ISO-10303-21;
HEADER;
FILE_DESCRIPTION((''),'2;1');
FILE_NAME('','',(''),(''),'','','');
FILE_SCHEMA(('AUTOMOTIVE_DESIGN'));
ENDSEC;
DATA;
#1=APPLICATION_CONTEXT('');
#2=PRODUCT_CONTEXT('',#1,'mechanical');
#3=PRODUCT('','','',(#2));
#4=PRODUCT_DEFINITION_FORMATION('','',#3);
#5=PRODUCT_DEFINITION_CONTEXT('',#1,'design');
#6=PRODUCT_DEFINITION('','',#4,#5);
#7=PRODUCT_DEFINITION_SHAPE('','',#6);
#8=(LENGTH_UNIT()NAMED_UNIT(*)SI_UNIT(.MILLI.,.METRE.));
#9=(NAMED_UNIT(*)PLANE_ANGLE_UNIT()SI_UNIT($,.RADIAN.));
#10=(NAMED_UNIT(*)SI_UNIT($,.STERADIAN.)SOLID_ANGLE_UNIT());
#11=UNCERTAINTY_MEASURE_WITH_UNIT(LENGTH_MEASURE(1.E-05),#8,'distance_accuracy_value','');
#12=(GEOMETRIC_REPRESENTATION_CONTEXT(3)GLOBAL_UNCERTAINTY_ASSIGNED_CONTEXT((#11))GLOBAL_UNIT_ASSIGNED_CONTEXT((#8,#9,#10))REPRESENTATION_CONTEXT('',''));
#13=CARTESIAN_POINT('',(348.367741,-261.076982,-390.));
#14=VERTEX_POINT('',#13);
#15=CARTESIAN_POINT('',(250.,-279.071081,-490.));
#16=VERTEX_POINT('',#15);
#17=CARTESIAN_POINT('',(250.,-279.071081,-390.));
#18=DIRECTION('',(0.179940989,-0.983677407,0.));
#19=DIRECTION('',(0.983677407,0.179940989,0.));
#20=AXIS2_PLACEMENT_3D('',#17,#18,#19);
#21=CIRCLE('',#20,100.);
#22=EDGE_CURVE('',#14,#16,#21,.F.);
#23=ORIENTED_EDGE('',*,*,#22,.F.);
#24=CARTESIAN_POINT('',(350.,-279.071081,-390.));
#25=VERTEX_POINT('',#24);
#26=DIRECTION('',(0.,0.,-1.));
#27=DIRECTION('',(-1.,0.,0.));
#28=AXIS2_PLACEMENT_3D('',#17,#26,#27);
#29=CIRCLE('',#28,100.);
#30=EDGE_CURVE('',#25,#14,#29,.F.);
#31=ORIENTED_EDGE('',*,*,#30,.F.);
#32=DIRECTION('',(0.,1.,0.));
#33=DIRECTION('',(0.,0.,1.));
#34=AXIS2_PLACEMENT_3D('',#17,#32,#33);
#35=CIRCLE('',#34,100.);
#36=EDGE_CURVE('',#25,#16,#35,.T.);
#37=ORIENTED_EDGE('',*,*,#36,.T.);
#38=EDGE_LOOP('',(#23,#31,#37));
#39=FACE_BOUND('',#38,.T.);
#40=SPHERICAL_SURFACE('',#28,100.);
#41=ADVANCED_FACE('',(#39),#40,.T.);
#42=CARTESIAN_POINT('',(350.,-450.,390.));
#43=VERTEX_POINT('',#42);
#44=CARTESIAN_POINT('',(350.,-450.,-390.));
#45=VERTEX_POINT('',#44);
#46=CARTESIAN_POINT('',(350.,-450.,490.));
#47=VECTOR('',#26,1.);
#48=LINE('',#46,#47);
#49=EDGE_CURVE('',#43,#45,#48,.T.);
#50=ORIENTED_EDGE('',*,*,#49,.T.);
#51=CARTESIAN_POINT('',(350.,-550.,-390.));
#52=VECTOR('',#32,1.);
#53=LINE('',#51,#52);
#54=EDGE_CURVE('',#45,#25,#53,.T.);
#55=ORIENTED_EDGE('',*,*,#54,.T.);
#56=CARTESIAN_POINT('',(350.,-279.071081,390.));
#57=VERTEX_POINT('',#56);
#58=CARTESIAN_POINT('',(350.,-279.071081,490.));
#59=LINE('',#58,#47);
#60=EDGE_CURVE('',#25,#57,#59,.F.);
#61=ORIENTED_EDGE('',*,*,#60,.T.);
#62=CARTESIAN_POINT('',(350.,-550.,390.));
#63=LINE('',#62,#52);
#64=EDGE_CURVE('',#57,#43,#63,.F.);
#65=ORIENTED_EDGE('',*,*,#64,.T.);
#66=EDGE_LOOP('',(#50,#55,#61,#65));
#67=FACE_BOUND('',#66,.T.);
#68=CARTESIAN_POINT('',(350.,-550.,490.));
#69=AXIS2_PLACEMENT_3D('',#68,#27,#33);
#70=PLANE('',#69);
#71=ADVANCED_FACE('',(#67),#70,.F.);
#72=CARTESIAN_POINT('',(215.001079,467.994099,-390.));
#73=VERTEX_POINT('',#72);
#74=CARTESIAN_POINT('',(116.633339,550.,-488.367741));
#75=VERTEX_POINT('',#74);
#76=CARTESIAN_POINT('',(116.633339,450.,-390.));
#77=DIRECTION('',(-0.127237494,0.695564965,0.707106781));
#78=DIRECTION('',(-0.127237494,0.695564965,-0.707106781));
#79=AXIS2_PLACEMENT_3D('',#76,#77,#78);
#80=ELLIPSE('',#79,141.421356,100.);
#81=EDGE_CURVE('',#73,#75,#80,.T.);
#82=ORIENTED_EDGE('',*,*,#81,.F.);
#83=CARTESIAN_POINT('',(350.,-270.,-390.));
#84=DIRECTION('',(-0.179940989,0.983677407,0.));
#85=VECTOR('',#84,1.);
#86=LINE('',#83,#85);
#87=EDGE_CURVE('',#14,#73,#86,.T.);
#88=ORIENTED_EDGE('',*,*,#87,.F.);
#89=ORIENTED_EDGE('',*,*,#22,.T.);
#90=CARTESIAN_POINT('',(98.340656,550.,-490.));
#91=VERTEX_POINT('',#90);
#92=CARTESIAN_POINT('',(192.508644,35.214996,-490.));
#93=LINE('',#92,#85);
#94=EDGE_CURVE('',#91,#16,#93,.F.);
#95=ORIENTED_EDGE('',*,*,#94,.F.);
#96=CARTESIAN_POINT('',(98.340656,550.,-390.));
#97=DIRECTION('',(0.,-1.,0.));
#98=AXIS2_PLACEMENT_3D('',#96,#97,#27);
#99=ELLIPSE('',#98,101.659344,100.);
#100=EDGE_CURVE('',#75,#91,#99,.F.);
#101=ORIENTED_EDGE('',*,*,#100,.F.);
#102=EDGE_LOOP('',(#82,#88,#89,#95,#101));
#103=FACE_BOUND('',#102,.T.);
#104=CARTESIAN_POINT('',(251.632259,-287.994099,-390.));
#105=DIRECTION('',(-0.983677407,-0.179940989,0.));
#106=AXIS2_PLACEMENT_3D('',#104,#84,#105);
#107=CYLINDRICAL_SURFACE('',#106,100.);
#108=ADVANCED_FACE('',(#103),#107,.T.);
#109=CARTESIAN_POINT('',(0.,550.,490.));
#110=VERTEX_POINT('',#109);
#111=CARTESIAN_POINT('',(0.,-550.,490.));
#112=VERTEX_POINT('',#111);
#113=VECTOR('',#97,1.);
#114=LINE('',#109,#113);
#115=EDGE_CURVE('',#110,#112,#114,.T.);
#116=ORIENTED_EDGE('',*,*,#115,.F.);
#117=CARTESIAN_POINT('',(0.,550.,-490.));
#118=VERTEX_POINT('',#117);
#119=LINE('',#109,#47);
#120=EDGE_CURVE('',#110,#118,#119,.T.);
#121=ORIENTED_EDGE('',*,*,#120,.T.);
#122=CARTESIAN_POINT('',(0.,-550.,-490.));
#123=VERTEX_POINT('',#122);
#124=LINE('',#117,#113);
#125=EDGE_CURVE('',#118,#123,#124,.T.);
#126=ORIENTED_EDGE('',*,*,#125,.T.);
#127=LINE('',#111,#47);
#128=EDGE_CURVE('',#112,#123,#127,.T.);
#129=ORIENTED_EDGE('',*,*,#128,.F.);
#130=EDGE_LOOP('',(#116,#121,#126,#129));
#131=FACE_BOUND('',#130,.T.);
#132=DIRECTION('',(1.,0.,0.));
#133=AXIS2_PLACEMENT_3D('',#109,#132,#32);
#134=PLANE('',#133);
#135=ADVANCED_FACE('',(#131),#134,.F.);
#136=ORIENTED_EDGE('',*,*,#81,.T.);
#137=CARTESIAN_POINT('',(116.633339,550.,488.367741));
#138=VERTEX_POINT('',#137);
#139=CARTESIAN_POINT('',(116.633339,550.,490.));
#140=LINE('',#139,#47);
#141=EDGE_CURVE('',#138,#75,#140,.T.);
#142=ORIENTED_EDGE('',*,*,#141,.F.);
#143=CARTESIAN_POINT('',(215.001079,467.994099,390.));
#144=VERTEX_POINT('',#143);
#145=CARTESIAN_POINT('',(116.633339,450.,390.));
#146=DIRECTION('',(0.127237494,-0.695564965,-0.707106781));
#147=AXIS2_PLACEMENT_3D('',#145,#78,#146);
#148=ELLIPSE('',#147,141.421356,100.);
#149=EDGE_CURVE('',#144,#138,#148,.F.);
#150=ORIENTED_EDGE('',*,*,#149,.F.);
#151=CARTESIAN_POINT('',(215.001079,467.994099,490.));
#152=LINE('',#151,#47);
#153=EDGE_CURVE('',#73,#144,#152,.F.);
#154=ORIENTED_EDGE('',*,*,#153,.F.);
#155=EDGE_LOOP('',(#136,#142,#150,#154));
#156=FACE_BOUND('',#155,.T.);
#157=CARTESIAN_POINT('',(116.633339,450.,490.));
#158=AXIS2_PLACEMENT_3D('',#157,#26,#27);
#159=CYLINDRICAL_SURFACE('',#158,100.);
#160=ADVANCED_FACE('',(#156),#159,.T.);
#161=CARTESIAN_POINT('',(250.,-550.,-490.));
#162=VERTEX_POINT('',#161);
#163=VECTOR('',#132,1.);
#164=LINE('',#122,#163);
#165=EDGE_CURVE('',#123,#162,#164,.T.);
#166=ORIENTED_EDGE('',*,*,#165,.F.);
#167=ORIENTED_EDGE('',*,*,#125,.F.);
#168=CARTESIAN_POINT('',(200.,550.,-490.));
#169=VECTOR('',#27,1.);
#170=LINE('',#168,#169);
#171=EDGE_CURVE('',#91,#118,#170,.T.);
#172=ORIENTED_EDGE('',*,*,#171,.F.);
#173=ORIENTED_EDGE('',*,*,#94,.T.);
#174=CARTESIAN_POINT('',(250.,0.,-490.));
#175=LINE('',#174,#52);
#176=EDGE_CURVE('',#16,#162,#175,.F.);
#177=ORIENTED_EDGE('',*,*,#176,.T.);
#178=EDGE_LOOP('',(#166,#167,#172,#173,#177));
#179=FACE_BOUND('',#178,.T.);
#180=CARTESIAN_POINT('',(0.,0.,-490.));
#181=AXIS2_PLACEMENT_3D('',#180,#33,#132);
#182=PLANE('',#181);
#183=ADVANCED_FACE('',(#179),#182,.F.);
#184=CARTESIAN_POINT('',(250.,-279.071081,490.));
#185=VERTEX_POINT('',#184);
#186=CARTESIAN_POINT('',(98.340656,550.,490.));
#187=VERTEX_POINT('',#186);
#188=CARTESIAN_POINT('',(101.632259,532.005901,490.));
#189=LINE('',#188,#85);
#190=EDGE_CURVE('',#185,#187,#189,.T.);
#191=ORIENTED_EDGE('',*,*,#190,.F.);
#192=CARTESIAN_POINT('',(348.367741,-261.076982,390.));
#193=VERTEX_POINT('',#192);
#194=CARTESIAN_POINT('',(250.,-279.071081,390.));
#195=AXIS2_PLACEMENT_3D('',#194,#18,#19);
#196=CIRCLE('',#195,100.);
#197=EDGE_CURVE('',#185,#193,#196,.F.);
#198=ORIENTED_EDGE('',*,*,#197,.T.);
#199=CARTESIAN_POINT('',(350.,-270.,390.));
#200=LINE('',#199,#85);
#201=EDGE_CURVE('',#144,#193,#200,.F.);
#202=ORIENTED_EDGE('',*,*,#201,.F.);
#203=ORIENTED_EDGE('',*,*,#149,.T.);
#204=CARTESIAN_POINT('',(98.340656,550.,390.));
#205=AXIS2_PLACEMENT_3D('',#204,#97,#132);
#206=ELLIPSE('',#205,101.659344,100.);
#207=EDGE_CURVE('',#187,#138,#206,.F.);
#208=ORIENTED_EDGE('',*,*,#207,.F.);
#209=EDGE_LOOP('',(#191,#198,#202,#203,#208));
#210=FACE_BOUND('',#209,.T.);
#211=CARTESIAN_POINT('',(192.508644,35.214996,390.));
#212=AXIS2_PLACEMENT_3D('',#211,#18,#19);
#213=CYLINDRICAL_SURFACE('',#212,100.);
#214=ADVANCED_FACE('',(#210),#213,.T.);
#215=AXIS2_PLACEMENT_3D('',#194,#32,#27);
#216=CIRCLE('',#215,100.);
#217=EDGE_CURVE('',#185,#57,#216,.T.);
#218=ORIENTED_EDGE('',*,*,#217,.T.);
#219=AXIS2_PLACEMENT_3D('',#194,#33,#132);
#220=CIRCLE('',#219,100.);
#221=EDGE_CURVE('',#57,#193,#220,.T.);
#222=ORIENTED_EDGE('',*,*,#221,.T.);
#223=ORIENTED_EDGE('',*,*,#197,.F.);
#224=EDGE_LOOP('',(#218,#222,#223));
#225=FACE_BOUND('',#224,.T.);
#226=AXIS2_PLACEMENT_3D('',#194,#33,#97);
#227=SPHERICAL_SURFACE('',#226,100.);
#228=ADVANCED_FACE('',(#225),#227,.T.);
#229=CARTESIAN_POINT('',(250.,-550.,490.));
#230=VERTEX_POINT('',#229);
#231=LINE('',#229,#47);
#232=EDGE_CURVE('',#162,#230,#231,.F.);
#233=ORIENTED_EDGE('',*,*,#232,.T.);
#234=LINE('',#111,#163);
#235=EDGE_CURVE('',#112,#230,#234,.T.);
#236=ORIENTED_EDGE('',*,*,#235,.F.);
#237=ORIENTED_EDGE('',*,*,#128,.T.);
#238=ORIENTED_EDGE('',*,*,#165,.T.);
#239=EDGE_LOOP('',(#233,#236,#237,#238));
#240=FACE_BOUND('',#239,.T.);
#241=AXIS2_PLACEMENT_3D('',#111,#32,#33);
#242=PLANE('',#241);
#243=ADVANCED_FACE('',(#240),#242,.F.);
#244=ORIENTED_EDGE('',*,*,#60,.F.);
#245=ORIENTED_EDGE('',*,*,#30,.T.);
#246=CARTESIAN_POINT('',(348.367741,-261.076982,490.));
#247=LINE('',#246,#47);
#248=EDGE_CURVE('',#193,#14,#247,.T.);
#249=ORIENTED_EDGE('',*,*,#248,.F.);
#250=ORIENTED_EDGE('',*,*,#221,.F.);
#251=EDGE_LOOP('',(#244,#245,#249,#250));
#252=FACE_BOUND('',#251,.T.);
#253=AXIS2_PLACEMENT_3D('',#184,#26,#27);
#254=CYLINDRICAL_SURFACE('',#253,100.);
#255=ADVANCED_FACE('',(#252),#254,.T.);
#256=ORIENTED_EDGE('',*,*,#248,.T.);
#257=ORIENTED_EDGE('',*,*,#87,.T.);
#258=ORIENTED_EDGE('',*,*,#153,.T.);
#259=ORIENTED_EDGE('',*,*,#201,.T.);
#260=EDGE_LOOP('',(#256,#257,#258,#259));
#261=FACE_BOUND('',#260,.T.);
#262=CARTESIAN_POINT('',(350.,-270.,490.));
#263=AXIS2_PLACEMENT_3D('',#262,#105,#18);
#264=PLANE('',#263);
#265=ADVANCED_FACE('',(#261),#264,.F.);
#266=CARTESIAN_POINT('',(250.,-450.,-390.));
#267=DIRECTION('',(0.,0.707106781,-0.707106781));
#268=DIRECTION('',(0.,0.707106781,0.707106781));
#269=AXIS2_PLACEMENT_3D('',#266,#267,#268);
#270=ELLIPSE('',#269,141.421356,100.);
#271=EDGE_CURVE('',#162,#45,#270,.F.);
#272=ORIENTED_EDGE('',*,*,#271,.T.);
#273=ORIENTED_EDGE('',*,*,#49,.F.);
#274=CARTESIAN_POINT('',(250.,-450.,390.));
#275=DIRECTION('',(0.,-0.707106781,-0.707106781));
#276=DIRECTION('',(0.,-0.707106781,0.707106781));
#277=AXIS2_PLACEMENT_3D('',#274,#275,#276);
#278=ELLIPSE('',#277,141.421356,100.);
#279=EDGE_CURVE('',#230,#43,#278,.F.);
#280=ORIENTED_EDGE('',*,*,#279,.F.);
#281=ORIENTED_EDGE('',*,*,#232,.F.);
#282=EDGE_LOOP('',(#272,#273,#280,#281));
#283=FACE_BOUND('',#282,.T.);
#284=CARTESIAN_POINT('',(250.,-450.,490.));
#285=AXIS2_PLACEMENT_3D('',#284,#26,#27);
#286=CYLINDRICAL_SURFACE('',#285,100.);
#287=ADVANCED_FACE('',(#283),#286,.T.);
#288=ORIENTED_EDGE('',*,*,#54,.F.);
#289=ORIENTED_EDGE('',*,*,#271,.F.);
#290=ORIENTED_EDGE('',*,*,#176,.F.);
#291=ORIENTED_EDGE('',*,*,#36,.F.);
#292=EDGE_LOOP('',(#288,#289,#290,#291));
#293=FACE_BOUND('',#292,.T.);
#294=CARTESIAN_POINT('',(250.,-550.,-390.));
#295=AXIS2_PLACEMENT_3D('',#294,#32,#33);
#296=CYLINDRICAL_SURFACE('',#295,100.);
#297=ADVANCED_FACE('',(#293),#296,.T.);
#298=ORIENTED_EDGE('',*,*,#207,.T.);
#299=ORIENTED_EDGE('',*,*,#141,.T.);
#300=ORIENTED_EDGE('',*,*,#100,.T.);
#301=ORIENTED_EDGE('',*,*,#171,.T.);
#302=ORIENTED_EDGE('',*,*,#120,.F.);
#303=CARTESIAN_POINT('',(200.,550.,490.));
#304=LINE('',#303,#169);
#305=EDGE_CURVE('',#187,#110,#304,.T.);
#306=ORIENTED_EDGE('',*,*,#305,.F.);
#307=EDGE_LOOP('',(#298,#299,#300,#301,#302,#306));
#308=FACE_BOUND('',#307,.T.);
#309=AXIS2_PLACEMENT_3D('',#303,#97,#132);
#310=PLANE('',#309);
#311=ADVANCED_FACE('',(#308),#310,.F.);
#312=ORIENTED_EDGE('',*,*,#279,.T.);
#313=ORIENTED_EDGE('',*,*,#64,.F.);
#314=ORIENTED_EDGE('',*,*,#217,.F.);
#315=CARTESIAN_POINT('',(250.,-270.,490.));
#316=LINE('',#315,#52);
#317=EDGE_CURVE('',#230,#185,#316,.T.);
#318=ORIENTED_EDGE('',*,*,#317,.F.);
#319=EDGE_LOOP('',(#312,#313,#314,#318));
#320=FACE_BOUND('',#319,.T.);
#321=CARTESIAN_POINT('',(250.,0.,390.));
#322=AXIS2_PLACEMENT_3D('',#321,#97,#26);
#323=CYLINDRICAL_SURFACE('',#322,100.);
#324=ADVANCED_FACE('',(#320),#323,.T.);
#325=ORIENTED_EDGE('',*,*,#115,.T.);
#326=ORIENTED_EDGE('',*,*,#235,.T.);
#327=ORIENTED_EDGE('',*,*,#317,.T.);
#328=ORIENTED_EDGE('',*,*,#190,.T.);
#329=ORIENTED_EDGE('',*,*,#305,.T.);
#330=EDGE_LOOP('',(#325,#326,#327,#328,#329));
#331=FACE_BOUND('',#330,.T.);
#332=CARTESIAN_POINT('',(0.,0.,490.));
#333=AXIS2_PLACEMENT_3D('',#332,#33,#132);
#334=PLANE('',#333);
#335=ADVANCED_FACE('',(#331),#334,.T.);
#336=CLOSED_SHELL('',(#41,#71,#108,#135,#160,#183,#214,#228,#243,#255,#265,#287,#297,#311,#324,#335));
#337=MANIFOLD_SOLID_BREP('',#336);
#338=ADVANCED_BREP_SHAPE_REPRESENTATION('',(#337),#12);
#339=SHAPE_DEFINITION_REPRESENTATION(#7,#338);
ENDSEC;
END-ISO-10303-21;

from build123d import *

# Parameters (mm, degrees)
BOSS_EXTRUDE1_DEPTH = 490
FILLET1_R           = 100


with BuildPart() as part:
    # Sketch1 → Boss-Extrude1 (new, symmetric)
    with BuildSketch(Plane.XY):
        Polygon((0, 550), (0, -550), (350, -550), (350, -270), (200, 550), align=None)
    extrude(amount=BOSS_EXTRUDE1_DEPTH, both=True)

    # Fillet1
    fillet1_edges = [part.edges().sort_by_distance(p)[0] for p in [
        (350, -410, 490),
        (275, 140, 490),
        (275, 140, -490),
        (350, -410, -490),
        (200, 550, 0),
        (350, -270, 0),
        (350, -550, 0),
    ]]
    fillet(fillet1_edges, radius=FILLET1_R)


solid = part.part
